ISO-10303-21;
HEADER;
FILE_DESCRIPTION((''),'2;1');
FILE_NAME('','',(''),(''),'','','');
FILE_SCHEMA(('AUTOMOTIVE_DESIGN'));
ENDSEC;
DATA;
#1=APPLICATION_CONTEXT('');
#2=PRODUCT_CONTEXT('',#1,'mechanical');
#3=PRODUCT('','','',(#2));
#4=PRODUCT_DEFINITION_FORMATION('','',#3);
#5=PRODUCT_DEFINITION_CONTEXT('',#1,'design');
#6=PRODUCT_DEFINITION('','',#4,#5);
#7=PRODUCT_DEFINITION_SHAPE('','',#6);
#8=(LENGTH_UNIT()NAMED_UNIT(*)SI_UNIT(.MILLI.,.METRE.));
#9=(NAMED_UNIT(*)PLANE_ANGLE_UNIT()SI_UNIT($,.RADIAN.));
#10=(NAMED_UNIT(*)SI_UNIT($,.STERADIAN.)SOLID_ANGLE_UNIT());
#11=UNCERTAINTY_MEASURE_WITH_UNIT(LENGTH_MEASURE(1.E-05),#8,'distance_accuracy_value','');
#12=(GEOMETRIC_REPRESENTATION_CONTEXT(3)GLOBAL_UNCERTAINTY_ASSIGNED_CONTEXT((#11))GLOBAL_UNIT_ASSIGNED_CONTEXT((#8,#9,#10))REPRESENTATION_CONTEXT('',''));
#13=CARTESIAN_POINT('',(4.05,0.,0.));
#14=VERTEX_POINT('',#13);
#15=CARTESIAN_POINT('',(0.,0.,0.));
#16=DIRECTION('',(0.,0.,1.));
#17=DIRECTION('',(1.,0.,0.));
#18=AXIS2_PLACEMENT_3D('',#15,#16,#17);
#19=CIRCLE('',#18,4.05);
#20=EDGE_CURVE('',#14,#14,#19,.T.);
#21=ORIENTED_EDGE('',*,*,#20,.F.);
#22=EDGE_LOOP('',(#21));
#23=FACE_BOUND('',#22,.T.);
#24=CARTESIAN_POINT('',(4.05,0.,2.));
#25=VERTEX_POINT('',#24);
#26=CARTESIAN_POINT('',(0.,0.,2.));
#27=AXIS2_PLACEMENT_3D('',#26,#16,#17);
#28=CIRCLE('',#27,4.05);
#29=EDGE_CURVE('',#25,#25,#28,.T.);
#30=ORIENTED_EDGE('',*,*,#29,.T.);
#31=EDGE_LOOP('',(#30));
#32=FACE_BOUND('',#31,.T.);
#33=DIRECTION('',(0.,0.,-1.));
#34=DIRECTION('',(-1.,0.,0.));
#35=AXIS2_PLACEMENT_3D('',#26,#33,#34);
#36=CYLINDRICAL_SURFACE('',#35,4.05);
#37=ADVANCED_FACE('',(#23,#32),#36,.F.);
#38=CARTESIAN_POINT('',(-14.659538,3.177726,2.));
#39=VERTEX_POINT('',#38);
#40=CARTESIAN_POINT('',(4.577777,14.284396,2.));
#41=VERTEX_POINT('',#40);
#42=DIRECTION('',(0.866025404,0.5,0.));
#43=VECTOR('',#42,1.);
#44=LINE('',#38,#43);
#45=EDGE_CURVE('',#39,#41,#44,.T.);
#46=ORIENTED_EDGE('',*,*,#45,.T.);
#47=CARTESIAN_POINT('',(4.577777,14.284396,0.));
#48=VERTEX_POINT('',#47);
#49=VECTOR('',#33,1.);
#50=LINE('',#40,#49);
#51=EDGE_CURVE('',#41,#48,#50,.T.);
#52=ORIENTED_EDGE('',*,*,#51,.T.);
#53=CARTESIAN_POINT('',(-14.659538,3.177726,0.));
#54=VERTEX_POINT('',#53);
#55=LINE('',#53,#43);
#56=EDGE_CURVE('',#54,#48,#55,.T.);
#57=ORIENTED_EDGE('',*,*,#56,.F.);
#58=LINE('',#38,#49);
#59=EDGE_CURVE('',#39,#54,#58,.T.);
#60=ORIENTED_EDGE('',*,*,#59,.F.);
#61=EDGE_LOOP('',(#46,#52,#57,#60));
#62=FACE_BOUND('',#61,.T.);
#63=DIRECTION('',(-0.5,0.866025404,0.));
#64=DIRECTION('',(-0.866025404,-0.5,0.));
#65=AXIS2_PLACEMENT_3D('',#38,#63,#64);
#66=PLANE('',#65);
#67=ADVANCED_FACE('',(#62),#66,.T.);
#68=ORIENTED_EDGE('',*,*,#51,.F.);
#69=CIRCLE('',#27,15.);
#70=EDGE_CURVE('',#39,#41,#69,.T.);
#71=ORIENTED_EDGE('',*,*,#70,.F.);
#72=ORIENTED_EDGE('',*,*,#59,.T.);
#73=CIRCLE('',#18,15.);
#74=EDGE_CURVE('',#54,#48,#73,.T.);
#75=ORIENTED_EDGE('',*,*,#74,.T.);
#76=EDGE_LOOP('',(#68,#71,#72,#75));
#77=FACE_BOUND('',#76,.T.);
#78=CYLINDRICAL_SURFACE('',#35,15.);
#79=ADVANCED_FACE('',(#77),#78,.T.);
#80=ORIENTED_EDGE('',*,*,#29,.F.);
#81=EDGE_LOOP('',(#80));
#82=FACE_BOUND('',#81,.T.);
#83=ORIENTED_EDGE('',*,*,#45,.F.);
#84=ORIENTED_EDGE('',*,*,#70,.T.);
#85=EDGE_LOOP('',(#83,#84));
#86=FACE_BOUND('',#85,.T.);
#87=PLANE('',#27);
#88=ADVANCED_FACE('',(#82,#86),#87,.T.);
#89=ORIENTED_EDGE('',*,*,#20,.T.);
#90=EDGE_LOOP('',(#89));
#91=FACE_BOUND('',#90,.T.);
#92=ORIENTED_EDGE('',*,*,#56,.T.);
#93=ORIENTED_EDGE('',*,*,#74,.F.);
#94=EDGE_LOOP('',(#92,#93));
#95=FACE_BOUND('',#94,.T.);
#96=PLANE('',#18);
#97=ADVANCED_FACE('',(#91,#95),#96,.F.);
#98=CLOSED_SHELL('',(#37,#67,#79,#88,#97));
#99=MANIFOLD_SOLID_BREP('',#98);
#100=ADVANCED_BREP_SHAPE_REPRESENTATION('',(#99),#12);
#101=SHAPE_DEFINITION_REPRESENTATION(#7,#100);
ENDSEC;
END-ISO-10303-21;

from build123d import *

# Parameters (mm, degrees)
SZKIC1_R                    = 4.05
DODANIE_WYCI_GNI_CIE1_DEPTH = 2


with BuildPart() as part:
    # Szkic1 → Dodanie-wyciągnięcie1 (new body)
    with BuildSketch(Plane.XY):
        with BuildLine():
            Line((-14.659537999, 3.17772649), (4.577777133, 14.28439556))
            ThreePointArc((4.577777133, 14.28439556), (7.5, -12.990381057), (-14.659537999, 3.17772649))
        make_face()
        Circle(SZKIC1_R, mode=Mode.SUBTRACT)
    extrude(amount=DODANIE_WYCI_GNI_CIE1_DEPTH)


solid = part.part
